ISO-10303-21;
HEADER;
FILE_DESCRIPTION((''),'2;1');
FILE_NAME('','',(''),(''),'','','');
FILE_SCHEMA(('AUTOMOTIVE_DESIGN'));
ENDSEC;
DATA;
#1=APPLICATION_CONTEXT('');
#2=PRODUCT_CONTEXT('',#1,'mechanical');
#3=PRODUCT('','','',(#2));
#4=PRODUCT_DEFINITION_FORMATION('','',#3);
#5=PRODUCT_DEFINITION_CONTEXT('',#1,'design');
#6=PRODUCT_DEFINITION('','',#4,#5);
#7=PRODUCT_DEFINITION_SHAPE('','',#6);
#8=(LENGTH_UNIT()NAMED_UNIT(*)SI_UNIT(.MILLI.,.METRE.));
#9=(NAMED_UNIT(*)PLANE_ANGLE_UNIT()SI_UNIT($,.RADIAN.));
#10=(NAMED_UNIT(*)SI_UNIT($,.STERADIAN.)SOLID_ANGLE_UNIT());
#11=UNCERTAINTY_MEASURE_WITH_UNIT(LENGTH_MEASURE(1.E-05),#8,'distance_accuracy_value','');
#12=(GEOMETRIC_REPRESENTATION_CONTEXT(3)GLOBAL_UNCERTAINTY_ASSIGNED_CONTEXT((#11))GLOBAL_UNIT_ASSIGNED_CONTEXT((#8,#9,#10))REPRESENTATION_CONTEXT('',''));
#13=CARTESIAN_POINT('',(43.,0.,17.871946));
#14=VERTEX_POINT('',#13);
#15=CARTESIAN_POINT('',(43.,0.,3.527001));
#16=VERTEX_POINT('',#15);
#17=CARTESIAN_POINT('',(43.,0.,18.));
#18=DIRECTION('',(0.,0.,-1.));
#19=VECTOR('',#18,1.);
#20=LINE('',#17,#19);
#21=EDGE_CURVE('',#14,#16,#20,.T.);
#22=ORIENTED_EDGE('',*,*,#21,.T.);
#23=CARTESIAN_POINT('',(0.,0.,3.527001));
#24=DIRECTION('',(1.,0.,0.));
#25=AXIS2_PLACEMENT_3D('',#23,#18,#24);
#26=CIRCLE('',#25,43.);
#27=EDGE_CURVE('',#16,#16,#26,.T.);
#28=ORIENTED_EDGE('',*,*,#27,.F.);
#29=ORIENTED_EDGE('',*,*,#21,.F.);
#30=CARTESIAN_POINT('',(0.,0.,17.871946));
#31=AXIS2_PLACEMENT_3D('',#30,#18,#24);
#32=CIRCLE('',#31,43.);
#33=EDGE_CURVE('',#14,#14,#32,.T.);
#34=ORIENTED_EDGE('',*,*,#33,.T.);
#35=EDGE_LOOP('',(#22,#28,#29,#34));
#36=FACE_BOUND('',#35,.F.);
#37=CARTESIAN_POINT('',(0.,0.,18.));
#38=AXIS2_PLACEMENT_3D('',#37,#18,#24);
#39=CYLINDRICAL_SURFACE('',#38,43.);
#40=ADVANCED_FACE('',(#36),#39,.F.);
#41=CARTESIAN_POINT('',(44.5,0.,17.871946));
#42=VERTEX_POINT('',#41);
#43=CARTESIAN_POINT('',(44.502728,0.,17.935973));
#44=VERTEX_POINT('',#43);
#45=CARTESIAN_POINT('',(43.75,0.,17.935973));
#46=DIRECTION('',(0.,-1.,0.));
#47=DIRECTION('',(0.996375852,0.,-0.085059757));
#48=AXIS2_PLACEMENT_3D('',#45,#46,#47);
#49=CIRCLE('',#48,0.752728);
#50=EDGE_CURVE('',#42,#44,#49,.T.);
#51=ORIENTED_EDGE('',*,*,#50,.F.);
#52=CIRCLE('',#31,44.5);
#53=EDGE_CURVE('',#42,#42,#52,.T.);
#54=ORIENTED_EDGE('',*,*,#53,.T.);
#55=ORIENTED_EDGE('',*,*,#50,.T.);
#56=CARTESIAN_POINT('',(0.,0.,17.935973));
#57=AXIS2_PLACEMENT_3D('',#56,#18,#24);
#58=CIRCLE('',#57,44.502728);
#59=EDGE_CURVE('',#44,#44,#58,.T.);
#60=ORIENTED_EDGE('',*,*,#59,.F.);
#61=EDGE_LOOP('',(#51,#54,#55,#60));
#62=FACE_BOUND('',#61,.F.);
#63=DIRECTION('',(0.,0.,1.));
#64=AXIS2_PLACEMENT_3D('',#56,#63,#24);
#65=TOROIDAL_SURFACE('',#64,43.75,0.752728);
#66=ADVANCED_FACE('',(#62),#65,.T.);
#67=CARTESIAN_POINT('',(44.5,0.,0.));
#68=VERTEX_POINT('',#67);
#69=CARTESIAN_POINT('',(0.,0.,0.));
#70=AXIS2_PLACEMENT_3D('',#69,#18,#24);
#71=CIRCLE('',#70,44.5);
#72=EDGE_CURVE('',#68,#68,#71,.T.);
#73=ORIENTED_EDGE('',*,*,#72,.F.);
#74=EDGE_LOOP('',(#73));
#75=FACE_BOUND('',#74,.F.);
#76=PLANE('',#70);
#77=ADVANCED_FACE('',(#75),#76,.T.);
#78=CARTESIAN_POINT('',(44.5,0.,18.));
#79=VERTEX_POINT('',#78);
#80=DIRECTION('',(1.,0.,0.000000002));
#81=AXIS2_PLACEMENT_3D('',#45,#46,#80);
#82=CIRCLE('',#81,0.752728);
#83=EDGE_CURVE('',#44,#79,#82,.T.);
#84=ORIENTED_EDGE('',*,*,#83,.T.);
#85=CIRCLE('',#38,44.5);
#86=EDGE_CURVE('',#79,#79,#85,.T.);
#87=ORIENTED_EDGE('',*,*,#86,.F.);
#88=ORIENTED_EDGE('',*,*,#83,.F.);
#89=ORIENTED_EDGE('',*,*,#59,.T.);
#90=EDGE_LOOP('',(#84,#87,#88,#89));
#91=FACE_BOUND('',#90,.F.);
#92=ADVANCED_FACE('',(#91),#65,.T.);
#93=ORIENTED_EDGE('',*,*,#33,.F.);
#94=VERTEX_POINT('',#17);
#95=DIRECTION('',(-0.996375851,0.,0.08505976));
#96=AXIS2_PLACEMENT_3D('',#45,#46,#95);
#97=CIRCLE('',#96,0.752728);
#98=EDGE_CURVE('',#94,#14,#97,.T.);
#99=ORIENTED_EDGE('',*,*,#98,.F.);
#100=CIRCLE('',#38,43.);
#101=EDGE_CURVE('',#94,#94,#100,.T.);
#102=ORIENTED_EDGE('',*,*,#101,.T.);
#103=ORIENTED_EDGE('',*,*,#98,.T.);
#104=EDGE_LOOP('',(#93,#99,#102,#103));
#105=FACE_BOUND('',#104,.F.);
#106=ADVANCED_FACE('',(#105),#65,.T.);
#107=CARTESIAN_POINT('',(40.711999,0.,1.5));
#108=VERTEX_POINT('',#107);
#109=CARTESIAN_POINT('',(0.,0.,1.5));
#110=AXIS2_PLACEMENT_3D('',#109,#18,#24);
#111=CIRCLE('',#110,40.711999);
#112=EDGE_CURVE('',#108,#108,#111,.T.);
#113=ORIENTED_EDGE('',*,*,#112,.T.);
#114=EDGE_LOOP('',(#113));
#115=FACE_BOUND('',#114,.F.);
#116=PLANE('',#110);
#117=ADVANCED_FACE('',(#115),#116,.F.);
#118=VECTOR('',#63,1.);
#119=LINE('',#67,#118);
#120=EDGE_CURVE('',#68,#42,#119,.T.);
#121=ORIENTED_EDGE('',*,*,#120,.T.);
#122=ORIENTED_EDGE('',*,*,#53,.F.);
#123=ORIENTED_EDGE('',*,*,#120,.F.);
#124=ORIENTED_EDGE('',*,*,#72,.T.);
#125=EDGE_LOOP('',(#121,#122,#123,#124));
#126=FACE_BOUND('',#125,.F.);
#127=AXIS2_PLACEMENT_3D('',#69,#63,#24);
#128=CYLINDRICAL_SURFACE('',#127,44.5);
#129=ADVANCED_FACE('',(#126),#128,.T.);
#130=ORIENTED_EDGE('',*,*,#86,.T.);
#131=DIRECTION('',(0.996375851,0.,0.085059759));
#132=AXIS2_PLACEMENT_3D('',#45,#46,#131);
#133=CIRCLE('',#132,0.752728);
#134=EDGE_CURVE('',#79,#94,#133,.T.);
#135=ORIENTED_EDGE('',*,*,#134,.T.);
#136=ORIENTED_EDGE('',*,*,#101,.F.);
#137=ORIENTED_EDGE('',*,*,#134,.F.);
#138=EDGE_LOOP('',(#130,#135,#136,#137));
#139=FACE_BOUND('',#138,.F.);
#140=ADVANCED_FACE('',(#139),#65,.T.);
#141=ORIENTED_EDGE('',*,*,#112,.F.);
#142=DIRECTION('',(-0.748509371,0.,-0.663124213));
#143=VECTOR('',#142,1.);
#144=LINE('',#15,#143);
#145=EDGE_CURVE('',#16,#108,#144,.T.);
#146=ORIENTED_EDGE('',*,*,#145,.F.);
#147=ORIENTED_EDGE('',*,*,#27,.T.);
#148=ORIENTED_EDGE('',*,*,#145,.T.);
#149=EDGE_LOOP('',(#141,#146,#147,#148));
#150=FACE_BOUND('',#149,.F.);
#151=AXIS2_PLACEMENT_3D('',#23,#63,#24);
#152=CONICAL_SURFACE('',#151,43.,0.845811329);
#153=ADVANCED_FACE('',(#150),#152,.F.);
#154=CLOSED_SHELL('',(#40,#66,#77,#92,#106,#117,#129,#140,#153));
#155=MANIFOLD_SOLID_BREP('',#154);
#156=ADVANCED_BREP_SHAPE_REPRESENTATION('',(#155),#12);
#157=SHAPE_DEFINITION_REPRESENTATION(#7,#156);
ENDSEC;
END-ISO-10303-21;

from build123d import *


with BuildPart() as f1:
    # F0 (on Front) → F1 (revolve)
    with BuildSketch(Plane.XZ):
        Polygon((40.7119989395, 1.5), (0, 1.5), (0, 0), (44.5, 0), (44.5, 1.5), (43, 1.5), align=None)
        with BuildLine():
            Line((43, 3.5270005465), (43, 1.5))
            Line((43, 1.5), (44.5, 1.5))
            Line((44.5, 1.5), (44.5, 17.8719462752))
            ThreePointArc((44.5, 17.8719462752), (43.75, 17.1832451395), (43, 17.8719462752))
            Line((43, 17.8719462752), (43, 3.5270005465))
        make_face()
        Polygon((43, 3.5270005465), (40.7119989395, 1.5), (43, 1.5), align=None)
        with BuildLine():
            ThreePointArc((44.5, 18), (43.75, 18.6887011357), (43, 18))
            Line((43, 18), (44.5, 18))
        make_face()
        with BuildLine():
            Line((43, 18), (43, 17.8719462752))
            ThreePointArc((43, 17.8719462752), (43.75, 17.1832451395), (44.5, 17.8719462752))
            Line((44.5, 17.8719462752), (44.5, 18))
            Line((44.5, 18), (43, 18))
        make_face()
        with BuildLine():
            Line((44.5, 18), (44.5, 17.8719462752))
            ThreePointArc((44.5, 17.8719462752), (44.5020456893, 17.9039306616), (44.5027279981, 17.9359731376))
            ThreePointArc((44.5027279981, 17.9359731376), (44.5020456893, 17.9680156136), (44.5, 18))
        make_face()
        with BuildLine():
            ThreePointArc((43, 18), (42.9972720019, 17.9359731376), (43, 17.8719462752))
            Line((43, 17.8719462752), (43, 18))
        make_face()
    revolve(axis=Axis((0, 0, -0.8306968957), (0, 0, -1)))


solid = f1.part
